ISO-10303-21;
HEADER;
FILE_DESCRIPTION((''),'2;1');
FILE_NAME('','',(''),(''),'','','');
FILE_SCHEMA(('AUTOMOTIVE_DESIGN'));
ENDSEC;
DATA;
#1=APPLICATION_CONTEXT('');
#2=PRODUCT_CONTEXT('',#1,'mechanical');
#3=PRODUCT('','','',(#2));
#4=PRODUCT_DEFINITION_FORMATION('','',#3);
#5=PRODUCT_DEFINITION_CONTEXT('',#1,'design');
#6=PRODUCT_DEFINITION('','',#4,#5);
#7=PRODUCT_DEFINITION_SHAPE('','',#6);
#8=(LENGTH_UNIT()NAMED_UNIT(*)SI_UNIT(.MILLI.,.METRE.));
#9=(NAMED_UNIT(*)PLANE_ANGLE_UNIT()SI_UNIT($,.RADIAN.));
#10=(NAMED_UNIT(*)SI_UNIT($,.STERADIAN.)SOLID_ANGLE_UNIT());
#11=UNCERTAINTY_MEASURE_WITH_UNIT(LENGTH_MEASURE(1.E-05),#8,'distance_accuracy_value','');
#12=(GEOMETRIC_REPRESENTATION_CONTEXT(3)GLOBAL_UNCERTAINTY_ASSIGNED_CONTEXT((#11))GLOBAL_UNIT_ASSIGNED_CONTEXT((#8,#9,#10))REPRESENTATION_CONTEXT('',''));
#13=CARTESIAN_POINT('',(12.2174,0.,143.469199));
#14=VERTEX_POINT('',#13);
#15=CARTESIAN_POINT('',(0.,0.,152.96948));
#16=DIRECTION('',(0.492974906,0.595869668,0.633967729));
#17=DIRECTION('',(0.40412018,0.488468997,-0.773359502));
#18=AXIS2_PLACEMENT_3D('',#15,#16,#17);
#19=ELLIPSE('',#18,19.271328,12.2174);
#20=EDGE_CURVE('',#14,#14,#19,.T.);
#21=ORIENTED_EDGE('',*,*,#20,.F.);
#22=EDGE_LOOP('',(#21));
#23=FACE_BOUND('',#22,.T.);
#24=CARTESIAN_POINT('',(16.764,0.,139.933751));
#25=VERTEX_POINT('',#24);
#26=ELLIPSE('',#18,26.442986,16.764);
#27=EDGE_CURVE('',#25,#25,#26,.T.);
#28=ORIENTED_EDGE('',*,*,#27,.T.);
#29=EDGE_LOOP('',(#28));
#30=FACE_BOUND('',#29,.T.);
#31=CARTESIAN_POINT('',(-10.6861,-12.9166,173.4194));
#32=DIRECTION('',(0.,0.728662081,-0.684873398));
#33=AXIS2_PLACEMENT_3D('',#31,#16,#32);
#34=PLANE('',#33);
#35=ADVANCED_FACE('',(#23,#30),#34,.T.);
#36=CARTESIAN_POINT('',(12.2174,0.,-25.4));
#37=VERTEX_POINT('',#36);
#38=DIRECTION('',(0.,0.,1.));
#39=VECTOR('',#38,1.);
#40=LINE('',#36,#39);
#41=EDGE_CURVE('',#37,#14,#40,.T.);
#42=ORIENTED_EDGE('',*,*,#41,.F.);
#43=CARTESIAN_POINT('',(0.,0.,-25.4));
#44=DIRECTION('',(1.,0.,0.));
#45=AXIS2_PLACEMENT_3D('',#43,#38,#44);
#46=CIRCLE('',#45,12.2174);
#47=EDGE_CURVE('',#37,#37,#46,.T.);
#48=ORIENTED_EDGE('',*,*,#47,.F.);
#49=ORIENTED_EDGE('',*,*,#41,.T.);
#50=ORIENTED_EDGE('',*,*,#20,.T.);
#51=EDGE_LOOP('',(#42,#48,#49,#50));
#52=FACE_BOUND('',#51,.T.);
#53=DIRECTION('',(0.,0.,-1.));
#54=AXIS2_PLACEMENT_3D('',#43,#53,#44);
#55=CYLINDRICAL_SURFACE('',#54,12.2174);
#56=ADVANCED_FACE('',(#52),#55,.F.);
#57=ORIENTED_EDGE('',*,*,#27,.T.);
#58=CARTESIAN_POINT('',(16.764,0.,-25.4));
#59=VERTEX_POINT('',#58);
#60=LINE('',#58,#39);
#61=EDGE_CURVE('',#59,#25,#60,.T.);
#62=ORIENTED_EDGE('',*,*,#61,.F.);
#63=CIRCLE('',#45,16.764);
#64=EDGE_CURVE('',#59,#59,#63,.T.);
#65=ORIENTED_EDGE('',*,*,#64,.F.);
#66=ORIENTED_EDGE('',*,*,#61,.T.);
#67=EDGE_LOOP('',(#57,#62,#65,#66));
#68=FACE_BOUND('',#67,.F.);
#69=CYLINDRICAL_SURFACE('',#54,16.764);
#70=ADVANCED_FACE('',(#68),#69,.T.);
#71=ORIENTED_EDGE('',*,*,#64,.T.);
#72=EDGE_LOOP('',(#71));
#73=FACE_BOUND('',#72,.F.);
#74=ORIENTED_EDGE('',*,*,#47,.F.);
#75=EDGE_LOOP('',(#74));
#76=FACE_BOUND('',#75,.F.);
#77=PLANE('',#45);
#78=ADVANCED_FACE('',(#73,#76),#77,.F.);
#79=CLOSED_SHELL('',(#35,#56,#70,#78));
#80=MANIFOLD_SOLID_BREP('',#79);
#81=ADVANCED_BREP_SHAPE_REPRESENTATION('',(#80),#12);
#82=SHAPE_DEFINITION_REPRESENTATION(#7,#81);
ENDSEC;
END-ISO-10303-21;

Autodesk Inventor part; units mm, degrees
ref_plane "Start Plane" through (0, 0, -25.4) normal (0, 0, 1) x (1, 0, 0)
ref_plane "End Plane" through (0, 0, 181.7613) normal (0, 0, 1) x (1, 0, 0)
sketch "Sketch" plane through (0, 0, 0) normal (0, 0, 1) x (1, 0, 0)
  circle A0 centre (0, 0) radius 12.2174
  circle A1 centre (0, 0) radius 16.764
  dimension "d0" = 33.528
  dimension "d1" = 4.5466
extrude "Body" add sketch "Sketch" along normal up to surface (207.1613 mm away) from surface at -25.4
sketch "Sketch3" plane through (0, 0, 0) normal (0, 0, 1) x (1, 0, 0)
  line L0 (0, 0) -> (10, 0)
ref_plane "Work Plane3" through (0, 0, 0) normal (0, -1, 0) x (1, 0, 0)
ref_plane "Work Plane4" through (-10.6861, -12.9166, 173.4194) normal (0.493, 0.5959, 0.634) x (0.8513, -0.1798, -0.493)
split "Split1" plane through (-10.6861, -12.9166, 173.4194) removes the side toward (0.493, 0.5959, 0.634)
sketch "Sketch4" plane through (0, 0, 0) normal (0, -1, 0) x (1, 0, 0)
  line L0 (-2, -25.4) -> (12, -25.4) projected
  line L1 (-2, 181.7613) -> (12, 181.7613) projected
  dimension "d7" = 207.1613
equation "\"d0\" = G_H"
equation "\"d1\" = G_T"
equation "\"d2\" = G_L"
equation "\"G_H\" = 33.528"
equation "\"G_T\" = 4.5466"
equation "\"G_L\" = 198.81938"
equation "\"G_OFFSET_START\" = 25.4"
equation "\"G_OFFSET_END\" = 28.79069"
equation "\"d4\" = -G_OFFSET_START"
equation "\"d5\" = G_OFFSET_END + B_L"
equation "\"B_L\" = 152.97059"
properties part number "ANSI - 1 x 0.179 - 7.828" material "Steel, Mild"
